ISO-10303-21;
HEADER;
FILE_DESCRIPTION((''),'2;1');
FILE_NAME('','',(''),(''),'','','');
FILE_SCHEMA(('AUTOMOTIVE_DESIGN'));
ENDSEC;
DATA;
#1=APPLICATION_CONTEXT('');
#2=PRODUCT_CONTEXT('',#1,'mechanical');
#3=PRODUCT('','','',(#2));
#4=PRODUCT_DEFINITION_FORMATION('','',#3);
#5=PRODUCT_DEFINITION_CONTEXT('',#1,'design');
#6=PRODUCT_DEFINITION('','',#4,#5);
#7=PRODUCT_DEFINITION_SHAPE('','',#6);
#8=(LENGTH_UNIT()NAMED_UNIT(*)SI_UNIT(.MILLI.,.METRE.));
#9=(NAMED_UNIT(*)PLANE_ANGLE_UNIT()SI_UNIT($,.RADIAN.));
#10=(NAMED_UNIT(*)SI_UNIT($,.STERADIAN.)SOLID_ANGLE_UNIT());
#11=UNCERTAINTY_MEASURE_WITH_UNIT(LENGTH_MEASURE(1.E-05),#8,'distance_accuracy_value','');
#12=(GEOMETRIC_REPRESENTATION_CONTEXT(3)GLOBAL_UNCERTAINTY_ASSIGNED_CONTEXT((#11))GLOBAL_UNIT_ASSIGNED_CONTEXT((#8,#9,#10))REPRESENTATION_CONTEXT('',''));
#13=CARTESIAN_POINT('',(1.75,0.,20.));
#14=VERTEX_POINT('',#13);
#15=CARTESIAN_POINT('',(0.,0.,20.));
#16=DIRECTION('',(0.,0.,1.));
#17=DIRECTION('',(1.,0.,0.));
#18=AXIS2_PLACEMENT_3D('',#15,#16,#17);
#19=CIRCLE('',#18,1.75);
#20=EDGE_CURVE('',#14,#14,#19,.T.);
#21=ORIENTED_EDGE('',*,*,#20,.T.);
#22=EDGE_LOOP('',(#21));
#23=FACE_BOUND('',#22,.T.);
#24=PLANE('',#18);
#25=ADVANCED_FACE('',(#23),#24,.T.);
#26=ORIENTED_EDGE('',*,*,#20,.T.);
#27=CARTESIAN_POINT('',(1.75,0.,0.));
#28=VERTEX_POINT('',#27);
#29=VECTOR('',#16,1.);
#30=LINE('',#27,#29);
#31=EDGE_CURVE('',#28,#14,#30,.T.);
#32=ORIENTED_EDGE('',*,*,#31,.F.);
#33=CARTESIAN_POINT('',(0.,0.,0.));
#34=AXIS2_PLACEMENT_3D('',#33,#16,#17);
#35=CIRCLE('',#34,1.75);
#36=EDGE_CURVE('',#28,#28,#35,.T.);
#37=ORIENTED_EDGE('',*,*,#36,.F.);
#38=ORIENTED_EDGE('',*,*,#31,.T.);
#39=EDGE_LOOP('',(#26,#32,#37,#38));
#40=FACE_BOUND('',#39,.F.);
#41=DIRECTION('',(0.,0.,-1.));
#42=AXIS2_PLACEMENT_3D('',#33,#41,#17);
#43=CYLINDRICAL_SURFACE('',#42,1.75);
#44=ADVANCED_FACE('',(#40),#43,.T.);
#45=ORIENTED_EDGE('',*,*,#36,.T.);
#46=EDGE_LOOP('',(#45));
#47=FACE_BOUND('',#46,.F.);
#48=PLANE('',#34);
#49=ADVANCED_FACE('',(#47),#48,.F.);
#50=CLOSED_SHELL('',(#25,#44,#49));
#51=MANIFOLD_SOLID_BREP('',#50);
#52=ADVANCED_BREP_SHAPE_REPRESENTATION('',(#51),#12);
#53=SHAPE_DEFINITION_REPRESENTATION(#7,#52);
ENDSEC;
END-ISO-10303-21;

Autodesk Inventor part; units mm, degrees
ref_plane "YZ Plane" through (0, 0, 0) normal (1, 0, 0) x (0, 1, 0)
ref_plane "XZ Plane" through (0, 0, 0) normal (0, 1, 0) x (-1, 0, 0)
ref_plane "XY Plane" through (0, 0, 0) normal (0, 0, 1) x (1, 0, 0)
sketch "Sketch1" plane through (0, 0, 0) normal (0, 0, 1) x (1, 0, 0)
  circle A0 centre (0, 0) radius 1.75
  dimension "d0" = 3.5
extrude "Extrusion1" add sketch "Sketch1" along normal blind 20
properties part number "core_b_termination"
